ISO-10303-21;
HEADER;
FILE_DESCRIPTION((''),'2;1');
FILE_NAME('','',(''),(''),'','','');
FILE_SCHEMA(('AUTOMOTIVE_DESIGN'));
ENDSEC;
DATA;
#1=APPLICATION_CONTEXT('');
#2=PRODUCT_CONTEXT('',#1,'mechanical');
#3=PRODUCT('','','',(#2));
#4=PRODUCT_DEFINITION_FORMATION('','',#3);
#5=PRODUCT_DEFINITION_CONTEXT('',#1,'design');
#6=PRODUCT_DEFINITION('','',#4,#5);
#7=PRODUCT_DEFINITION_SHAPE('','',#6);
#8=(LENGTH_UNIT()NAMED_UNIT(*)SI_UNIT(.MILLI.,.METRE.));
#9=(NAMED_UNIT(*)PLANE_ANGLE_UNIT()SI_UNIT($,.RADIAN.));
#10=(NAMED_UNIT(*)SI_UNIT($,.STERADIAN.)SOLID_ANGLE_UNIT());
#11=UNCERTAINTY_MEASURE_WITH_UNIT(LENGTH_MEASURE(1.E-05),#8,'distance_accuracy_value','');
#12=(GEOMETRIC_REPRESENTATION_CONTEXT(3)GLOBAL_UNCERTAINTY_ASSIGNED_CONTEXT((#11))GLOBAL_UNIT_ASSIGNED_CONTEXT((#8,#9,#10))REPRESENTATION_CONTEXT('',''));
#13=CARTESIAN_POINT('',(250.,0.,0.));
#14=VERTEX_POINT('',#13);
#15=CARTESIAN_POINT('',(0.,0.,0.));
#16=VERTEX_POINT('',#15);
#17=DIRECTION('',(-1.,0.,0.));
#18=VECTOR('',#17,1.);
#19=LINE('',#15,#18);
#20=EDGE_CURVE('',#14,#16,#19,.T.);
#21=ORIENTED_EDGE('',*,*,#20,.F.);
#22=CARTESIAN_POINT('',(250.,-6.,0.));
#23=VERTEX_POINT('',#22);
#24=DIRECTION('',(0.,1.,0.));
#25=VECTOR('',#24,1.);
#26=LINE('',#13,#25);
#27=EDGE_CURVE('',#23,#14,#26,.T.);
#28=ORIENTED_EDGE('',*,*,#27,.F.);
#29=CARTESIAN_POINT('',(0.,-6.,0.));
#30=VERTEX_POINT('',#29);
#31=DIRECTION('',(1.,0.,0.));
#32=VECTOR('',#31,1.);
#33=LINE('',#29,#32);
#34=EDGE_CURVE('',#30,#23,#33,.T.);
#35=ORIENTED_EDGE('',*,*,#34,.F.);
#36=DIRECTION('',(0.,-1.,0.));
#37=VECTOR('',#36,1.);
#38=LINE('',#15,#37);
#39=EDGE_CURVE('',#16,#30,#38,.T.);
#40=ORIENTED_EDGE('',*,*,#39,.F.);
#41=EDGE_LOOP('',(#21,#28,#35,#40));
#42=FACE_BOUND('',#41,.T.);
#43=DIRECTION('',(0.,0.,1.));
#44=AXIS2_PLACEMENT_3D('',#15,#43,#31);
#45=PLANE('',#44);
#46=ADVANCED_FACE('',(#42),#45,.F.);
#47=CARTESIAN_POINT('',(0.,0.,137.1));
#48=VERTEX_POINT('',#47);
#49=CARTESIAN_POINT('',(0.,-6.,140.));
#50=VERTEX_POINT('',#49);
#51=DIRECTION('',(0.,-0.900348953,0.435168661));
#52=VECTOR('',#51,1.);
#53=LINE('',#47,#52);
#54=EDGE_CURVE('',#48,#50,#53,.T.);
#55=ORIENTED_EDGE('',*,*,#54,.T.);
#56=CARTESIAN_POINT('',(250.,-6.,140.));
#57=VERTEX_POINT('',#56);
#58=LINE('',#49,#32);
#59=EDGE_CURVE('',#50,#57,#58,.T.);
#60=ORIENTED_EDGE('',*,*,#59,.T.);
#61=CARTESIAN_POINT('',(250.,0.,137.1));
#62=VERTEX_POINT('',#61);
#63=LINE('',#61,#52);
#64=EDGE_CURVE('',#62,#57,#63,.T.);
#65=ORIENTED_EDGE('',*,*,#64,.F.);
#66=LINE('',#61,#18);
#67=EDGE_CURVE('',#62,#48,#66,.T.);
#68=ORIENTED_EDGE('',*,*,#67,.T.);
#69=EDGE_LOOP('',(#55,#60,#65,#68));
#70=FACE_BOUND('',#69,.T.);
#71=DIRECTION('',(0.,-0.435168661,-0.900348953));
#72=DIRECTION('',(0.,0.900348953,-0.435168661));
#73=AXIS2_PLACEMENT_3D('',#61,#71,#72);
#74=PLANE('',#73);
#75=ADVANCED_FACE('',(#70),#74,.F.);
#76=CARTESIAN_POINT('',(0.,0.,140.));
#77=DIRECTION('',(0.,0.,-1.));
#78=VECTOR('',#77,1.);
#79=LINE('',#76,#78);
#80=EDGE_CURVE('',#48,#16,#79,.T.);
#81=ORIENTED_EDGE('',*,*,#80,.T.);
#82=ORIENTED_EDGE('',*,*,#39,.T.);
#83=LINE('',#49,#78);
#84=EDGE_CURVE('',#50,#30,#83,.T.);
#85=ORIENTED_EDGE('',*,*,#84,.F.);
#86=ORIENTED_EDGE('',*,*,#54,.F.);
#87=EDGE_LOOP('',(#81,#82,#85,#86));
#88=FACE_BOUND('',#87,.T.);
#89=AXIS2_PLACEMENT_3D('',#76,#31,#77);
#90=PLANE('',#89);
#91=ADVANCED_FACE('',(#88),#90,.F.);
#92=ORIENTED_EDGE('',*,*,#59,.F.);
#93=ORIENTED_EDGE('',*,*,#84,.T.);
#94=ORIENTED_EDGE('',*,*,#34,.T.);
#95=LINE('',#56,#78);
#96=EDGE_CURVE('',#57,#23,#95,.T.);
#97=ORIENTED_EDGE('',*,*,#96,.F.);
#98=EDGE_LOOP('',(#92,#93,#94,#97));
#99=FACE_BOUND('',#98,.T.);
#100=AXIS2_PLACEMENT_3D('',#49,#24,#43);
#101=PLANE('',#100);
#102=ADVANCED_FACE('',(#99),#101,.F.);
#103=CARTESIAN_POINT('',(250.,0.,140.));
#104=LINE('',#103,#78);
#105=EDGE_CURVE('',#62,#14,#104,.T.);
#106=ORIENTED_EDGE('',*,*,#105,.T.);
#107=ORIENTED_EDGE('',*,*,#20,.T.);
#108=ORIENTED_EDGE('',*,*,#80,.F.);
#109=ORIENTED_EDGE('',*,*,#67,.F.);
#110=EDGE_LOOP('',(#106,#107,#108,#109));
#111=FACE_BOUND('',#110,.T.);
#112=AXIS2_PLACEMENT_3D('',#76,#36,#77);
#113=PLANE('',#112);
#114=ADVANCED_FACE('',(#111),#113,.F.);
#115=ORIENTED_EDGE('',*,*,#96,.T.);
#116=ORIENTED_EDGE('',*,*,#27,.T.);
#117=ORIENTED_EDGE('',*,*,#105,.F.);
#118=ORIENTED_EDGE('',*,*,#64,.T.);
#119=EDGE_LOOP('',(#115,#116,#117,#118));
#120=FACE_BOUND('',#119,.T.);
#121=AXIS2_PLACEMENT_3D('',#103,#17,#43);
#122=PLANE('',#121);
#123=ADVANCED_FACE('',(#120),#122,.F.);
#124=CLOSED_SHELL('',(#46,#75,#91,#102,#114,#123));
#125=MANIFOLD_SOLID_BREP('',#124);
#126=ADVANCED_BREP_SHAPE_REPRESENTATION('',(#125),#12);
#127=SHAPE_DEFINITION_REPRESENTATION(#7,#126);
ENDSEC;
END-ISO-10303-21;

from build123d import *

# Parameters (mm, degrees)
ESBO_O1_W                = 250
ESBO_O1_H                = 6
RESSALTO_EXTRUS_O1_DEPTH = 140
CORTE_EXTRUS_O2_DEPTH    = 287.593789186


with BuildPart() as part:
    # Esboço1 → Ressalto-extrusão1 (new body)
    with BuildSketch(Plane.XY):
        with Locations((125, -3)):
            Rectangle(ESBO_O1_W, ESBO_O1_H)
    extrude(amount=RESSALTO_EXTRUS_O1_DEPTH)

    # Esboço5 → Corte-extrusão2 (cut, through all)
    with BuildSketch(Plane.ZY):
        Polygon((137.1, 0), (140, -6), (140, 0), align=None)
    extrude(amount=-CORTE_EXTRUS_O2_DEPTH, mode=Mode.SUBTRACT)


solid = part.part
